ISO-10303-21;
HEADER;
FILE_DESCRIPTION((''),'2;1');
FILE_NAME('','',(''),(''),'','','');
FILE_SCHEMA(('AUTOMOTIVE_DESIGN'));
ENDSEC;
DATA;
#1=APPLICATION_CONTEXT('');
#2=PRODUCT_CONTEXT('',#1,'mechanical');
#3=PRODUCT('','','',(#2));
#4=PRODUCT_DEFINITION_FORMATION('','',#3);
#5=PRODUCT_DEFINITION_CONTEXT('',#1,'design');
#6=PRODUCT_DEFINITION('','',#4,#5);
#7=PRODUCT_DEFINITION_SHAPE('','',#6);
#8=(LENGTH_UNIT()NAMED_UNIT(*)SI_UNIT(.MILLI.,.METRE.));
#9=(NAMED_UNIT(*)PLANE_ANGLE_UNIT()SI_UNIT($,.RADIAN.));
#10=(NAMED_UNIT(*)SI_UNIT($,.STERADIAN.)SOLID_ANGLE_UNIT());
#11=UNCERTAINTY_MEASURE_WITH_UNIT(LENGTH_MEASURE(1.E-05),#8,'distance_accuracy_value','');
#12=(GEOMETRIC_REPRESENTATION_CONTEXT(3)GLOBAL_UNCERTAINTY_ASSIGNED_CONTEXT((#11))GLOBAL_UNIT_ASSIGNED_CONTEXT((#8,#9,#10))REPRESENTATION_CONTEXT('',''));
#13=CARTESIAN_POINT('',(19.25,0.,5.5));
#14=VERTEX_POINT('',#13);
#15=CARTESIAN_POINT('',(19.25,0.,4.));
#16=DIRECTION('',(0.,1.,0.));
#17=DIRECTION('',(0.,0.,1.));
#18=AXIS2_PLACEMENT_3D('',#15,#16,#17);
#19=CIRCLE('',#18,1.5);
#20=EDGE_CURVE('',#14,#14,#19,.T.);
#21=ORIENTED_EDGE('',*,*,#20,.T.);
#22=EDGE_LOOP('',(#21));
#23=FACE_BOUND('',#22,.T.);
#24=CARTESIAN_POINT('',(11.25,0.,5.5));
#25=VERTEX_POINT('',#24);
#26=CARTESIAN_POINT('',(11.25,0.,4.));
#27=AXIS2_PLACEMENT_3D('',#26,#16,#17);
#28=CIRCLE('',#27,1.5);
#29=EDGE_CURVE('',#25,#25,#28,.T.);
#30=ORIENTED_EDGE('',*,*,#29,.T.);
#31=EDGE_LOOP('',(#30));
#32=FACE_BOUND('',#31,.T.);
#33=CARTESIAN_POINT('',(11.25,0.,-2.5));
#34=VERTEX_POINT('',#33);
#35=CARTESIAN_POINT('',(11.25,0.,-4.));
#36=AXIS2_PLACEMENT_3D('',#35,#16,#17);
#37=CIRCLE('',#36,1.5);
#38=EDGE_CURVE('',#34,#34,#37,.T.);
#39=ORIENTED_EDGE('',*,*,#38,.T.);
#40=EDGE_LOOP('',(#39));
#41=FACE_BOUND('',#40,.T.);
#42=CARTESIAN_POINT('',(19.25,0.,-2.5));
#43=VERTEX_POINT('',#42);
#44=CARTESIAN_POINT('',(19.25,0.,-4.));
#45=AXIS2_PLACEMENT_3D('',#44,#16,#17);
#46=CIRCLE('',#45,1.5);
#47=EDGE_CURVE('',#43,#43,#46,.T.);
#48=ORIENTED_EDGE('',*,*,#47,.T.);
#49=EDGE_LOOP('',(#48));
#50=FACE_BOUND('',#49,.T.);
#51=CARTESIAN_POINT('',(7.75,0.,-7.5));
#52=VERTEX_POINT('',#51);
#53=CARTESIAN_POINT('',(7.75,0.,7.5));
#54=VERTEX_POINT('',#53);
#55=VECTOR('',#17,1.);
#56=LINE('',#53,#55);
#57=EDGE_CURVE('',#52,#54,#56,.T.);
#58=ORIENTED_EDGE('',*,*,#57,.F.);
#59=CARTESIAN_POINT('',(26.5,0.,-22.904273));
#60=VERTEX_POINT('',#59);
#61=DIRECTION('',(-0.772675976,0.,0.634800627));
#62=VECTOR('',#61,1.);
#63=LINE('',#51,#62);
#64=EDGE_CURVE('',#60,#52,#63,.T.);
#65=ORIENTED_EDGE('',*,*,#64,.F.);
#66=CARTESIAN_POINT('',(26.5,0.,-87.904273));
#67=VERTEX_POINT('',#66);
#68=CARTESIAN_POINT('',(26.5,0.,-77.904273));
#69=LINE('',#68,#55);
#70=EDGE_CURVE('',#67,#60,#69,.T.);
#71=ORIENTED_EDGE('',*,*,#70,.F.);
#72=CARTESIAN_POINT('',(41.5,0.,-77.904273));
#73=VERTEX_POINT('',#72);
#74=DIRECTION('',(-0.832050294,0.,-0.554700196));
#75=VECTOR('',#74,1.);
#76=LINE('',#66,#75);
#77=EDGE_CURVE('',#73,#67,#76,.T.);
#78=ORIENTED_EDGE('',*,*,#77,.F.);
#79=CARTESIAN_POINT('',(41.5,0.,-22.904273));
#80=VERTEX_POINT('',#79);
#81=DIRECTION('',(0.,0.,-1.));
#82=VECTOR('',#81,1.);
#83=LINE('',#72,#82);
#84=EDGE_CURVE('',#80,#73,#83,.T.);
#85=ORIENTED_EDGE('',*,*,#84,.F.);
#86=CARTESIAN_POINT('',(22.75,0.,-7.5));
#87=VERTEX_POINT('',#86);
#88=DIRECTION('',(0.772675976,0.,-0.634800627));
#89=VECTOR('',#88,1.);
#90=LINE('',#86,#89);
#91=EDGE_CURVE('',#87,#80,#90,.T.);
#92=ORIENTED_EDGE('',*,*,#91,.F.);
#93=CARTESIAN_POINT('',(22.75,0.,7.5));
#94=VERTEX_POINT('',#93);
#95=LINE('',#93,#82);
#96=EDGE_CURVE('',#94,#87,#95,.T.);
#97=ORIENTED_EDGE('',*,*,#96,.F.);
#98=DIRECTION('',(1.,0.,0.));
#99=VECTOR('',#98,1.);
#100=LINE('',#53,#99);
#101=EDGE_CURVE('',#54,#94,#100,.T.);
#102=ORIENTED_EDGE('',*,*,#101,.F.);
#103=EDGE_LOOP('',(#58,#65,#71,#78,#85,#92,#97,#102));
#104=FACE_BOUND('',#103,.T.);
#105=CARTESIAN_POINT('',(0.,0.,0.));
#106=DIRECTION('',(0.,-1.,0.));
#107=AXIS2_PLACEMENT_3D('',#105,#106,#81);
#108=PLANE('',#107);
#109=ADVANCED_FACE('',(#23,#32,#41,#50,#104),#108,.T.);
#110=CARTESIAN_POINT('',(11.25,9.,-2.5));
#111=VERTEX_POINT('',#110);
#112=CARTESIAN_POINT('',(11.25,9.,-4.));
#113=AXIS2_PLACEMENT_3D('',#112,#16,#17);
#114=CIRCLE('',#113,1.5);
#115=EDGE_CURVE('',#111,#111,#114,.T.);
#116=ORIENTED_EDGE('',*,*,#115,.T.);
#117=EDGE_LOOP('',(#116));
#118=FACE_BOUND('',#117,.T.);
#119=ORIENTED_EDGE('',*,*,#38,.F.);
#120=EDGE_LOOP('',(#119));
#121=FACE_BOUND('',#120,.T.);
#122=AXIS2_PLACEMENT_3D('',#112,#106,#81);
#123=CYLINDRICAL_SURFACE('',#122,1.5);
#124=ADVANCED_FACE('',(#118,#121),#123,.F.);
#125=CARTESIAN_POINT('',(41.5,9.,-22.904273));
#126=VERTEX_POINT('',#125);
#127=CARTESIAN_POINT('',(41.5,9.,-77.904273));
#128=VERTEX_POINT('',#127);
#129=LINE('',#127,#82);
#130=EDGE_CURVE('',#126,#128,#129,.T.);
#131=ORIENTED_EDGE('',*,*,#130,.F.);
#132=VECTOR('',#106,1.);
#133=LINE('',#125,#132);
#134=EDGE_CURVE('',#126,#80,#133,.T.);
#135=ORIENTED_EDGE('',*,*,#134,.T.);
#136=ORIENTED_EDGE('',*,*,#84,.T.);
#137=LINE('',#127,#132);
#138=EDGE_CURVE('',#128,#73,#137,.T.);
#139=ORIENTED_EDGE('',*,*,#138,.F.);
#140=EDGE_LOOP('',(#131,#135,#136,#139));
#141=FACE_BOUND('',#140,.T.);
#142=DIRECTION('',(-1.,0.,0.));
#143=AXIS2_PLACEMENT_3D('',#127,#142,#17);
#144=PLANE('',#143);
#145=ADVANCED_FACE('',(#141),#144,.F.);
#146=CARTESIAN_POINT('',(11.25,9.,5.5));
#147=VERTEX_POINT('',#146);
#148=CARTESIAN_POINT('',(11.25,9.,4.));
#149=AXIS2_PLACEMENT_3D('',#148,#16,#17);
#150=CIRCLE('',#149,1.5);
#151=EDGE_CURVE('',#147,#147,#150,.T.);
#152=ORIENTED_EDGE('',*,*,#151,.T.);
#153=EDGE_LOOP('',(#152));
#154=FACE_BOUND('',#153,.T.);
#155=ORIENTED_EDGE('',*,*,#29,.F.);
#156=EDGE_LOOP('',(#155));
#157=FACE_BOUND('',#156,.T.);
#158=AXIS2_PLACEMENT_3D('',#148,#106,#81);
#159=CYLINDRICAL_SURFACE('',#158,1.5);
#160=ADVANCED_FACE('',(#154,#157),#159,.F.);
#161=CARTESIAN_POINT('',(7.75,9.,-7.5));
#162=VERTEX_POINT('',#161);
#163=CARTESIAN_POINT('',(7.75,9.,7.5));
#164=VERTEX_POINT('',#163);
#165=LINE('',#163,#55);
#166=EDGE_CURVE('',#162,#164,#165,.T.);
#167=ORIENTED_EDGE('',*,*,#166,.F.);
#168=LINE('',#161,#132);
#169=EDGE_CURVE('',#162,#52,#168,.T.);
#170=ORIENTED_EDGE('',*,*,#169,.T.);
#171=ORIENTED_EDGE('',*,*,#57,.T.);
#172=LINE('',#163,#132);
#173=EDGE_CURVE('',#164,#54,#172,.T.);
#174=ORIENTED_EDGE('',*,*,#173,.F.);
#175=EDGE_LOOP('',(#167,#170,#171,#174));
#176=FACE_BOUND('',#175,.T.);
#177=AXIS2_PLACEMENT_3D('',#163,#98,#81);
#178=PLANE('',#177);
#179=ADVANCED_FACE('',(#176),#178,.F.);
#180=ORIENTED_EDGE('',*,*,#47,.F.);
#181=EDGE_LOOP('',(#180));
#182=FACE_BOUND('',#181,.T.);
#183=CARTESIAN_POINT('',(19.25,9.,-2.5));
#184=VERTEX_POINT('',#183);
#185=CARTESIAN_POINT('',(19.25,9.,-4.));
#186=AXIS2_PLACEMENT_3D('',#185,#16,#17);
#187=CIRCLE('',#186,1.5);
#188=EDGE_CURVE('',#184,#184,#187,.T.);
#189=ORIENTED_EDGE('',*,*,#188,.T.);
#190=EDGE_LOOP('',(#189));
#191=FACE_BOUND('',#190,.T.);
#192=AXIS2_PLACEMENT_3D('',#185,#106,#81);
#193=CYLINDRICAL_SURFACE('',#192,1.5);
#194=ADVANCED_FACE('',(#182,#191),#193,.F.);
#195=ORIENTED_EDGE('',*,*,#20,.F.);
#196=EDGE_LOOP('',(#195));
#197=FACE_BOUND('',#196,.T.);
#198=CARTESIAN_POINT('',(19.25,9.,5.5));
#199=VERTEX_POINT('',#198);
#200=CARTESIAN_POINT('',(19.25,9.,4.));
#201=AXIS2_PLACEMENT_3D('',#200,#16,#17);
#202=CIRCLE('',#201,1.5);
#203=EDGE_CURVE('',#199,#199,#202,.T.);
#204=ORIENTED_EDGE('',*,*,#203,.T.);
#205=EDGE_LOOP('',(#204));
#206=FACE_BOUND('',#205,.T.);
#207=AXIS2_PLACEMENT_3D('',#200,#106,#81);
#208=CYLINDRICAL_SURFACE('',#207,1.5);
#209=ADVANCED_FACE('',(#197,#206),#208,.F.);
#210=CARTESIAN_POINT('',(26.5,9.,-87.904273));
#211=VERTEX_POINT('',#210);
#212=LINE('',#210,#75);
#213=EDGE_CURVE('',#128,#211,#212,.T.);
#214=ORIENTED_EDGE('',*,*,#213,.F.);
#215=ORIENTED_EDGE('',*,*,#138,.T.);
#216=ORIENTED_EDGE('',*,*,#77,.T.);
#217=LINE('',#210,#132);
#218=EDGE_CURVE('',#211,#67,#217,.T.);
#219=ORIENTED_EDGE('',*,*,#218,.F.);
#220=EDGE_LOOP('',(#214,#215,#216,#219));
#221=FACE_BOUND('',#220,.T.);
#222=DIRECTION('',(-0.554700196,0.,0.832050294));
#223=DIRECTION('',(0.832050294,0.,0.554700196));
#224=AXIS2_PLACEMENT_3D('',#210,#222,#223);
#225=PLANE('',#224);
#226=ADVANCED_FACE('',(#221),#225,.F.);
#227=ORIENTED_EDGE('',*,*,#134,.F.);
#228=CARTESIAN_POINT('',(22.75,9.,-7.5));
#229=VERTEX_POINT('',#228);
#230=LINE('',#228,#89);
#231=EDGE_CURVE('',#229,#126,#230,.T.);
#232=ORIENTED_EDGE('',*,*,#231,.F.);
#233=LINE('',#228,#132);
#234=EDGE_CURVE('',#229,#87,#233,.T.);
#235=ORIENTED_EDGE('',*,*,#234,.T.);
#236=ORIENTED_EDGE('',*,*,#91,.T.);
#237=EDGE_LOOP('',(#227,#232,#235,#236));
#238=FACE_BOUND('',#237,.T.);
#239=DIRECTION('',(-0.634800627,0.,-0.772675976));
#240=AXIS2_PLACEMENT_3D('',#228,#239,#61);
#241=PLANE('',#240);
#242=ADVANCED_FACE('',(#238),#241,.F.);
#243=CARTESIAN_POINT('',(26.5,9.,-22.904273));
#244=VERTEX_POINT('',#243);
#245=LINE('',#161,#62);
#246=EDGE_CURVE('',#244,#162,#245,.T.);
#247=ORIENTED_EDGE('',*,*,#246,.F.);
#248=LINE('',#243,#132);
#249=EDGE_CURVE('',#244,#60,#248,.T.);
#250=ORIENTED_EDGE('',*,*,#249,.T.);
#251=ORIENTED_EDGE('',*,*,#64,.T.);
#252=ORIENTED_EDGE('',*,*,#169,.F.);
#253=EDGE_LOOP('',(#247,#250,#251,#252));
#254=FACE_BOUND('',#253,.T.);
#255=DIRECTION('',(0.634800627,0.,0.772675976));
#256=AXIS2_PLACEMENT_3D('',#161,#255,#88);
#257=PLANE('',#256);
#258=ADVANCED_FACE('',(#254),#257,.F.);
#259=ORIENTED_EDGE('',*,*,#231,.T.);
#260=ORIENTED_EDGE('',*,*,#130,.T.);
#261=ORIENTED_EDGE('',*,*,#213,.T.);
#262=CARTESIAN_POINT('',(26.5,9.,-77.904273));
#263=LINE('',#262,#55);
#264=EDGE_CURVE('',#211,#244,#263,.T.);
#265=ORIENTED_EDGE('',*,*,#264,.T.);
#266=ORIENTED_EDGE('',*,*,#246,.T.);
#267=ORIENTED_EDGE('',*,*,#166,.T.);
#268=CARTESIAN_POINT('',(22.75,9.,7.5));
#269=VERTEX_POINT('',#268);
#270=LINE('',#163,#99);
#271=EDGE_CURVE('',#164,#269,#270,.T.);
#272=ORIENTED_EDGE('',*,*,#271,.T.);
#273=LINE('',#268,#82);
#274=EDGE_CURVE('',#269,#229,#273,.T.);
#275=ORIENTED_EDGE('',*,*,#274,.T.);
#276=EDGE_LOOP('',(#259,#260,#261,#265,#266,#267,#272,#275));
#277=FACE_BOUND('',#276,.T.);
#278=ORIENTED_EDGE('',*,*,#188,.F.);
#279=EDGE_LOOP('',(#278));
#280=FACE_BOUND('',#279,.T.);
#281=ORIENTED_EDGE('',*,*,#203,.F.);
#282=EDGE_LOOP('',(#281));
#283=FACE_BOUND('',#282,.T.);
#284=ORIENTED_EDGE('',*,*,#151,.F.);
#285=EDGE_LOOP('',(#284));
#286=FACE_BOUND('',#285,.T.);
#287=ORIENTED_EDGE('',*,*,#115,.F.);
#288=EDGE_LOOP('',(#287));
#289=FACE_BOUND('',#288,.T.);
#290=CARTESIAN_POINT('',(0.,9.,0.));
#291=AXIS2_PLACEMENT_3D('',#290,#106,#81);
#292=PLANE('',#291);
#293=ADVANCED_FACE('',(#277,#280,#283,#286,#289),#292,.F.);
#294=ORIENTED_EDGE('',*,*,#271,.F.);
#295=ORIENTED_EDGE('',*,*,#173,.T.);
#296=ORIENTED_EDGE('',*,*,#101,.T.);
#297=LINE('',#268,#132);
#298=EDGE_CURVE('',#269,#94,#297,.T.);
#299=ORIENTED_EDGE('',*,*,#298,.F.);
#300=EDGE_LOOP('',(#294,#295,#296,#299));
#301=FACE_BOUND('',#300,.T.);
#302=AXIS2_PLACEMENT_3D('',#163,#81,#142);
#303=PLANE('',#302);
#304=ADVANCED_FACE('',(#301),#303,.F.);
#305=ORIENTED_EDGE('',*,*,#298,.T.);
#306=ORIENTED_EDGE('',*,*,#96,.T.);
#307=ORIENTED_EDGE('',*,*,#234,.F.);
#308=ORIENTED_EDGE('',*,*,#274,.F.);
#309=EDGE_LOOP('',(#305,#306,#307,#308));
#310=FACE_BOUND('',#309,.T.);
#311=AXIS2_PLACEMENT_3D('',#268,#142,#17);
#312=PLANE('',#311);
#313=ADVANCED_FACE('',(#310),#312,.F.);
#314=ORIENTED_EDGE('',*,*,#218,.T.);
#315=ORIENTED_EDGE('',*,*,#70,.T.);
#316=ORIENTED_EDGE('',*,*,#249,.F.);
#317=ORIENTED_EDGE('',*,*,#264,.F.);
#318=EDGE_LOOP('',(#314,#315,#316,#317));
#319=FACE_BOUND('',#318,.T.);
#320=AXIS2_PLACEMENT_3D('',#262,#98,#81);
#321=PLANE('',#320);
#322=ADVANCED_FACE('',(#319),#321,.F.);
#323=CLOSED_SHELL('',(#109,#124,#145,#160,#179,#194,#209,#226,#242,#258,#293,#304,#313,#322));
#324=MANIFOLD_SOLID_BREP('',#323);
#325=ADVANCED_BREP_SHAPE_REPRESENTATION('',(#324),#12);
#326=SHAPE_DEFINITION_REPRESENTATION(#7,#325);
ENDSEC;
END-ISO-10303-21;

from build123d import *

# Parameters (mm, degrees)
CROQUIS1_R              = 1.5
SALIENTE_EXTRUIR1_DEPTH = 9


with BuildPart() as part:
    # Croquis1 → Saliente-Extruir1 (new body)
    with BuildSketch(Plane(origin=(0, 0, 0), x_dir=(1, 0, 0), z_dir=(0, 1, 0))):
        Polygon((7.75, 7.5), (26.5, 22.904273087), (26.5, 77.904273087), (26.5, 87.904273087), (41.5, 77.904273087), (41.5, 22.904273087), (22.75, 7.5), (22.75, -7.5), (7.75, -7.5), align=None)
        with Locations(Location((19.25, 4, 0), (0, 0, 270))):
            Circle(CROQUIS1_R, mode=Mode.SUBTRACT)
        with Locations(Location((19.25, -4, 0), (0, 0, 270))):
            Circle(CROQUIS1_R, mode=Mode.SUBTRACT)
        with Locations(Location((11.25, -4, 0), (0, 0, 270))):
            Circle(CROQUIS1_R, mode=Mode.SUBTRACT)
        with Locations(Location((11.25, 4, 0), (0, 0, 270))):
            Circle(CROQUIS1_R, mode=Mode.SUBTRACT)
    extrude(amount=SALIENTE_EXTRUIR1_DEPTH)


solid = part.part
